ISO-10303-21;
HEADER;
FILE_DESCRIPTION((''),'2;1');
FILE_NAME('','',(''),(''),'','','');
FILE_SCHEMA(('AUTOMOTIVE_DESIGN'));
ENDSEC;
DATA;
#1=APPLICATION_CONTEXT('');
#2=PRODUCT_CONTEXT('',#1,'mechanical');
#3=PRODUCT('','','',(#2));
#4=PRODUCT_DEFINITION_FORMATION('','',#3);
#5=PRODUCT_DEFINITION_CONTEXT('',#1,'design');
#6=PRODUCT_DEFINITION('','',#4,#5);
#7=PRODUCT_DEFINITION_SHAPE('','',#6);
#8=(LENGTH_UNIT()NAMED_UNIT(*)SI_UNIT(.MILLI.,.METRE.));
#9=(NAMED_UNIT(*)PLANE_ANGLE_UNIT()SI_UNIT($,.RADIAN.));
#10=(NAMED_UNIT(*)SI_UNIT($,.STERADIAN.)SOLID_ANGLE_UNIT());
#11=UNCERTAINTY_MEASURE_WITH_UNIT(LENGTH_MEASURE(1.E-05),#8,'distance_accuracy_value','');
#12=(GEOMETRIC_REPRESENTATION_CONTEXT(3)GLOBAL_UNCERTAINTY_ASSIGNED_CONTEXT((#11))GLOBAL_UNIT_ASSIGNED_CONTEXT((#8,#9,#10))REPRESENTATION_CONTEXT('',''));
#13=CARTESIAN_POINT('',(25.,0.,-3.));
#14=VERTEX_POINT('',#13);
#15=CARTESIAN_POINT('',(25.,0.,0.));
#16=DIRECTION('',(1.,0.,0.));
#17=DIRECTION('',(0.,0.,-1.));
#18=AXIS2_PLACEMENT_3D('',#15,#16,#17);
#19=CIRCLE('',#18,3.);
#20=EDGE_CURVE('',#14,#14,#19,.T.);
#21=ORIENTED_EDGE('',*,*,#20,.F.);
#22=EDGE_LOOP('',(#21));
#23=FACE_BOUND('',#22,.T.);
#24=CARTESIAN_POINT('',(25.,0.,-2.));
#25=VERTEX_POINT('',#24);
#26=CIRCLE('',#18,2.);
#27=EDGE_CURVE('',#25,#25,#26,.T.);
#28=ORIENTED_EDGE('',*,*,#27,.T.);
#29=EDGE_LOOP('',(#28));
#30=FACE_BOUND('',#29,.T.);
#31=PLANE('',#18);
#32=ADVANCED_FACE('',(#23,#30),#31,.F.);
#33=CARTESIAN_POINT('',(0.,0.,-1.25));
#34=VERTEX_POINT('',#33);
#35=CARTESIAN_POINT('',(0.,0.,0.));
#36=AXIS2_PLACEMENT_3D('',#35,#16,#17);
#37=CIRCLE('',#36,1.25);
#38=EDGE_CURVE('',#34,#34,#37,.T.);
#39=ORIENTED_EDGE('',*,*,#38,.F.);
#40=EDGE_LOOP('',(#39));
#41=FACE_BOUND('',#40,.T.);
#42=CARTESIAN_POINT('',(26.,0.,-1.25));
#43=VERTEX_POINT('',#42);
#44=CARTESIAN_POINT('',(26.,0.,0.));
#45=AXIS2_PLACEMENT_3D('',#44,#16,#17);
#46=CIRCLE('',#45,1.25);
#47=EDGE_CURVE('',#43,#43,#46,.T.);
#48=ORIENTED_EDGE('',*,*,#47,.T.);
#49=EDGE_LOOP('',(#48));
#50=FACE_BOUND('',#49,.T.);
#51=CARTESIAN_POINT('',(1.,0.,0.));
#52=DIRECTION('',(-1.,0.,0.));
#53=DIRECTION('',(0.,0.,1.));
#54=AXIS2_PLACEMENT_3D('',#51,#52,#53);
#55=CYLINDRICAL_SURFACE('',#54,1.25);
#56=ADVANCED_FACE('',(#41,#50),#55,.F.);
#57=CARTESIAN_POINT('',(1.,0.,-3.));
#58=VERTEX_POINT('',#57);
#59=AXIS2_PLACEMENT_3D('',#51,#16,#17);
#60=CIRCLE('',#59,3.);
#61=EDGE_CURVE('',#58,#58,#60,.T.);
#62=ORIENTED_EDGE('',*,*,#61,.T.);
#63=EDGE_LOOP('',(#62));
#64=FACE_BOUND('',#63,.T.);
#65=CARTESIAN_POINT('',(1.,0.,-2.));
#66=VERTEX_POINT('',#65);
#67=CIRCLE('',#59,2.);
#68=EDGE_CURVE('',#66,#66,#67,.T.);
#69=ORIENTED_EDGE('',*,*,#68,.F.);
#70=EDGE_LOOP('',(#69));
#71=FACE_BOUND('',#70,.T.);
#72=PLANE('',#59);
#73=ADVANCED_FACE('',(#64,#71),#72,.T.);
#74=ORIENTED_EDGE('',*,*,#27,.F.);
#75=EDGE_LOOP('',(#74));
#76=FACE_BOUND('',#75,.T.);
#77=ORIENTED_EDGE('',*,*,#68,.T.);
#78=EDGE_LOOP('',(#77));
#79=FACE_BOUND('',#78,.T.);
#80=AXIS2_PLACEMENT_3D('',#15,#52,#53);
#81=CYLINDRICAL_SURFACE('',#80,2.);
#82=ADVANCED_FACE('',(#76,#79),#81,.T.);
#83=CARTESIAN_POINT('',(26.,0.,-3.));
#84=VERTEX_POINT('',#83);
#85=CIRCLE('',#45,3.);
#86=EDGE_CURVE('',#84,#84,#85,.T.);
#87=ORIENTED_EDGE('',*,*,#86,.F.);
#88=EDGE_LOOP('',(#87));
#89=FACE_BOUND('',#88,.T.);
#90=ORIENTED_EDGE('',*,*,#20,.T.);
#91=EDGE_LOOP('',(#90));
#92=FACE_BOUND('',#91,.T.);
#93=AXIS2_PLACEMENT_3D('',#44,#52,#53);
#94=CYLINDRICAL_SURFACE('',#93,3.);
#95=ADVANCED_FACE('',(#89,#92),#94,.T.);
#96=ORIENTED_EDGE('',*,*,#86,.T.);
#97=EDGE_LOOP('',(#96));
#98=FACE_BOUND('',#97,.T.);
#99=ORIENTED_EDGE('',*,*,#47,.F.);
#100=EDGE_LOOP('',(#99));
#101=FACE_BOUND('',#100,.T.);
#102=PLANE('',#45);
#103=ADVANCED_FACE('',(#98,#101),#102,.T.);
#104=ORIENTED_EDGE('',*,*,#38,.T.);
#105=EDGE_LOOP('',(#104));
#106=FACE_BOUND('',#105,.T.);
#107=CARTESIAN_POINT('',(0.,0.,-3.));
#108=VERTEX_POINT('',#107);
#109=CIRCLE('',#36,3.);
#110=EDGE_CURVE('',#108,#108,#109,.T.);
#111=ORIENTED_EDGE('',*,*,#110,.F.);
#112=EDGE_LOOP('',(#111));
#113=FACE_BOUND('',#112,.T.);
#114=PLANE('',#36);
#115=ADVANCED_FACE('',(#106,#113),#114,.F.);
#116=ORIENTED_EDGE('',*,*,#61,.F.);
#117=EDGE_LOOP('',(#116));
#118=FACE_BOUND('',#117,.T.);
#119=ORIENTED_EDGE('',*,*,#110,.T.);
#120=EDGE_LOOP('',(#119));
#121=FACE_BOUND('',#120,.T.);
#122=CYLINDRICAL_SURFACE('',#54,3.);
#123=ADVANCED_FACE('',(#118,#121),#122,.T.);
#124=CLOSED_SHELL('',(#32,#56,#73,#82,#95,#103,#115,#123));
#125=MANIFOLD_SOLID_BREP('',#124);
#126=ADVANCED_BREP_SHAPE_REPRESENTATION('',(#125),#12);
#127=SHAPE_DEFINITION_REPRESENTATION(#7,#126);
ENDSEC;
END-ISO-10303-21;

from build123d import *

# Parameters (mm, degrees)
SKETCH1_R           = 3
SKETCH1_R_2         = 1.25
BOSS_EXTRUDE2_DEPTH = 1
SKETCH2_R           = 2
SKETCH2_R_2         = 1.25
BOSS_EXTRUDE3_DEPTH = 24
SKETCH3_R           = 3
SKETCH3_R_2         = 1.25
BOSS_EXTRUDE4_DEPTH = 1


with BuildPart() as part:
    # Sketch1 → Boss-Extrude2 (new body)
    with BuildSketch(Plane(origin=(0, 0, 0), x_dir=(0, 0, -1), z_dir=(1, 0, 0))):
        Circle(SKETCH1_R)
        Circle(SKETCH1_R_2, mode=Mode.SUBTRACT)
    extrude(amount=BOSS_EXTRUDE2_DEPTH)

    # Sketch2 → Boss-Extrude3 (add)
    with BuildSketch(Plane(origin=(1, 0, 0), x_dir=(0, 0, -1), z_dir=(1, 0, 0))):
        Circle(SKETCH2_R)
        Circle(SKETCH2_R_2, mode=Mode.SUBTRACT)
    extrude(amount=BOSS_EXTRUDE3_DEPTH)

    # Sketch3 → Boss-Extrude4 (add)
    with BuildSketch(Plane(origin=(25, 0, 0), x_dir=(0, 0, -1), z_dir=(1, 0, 0))):
        Circle(SKETCH3_R)
        Circle(SKETCH3_R_2, mode=Mode.SUBTRACT)
    extrude(amount=BOSS_EXTRUDE4_DEPTH)


solid = part.part
